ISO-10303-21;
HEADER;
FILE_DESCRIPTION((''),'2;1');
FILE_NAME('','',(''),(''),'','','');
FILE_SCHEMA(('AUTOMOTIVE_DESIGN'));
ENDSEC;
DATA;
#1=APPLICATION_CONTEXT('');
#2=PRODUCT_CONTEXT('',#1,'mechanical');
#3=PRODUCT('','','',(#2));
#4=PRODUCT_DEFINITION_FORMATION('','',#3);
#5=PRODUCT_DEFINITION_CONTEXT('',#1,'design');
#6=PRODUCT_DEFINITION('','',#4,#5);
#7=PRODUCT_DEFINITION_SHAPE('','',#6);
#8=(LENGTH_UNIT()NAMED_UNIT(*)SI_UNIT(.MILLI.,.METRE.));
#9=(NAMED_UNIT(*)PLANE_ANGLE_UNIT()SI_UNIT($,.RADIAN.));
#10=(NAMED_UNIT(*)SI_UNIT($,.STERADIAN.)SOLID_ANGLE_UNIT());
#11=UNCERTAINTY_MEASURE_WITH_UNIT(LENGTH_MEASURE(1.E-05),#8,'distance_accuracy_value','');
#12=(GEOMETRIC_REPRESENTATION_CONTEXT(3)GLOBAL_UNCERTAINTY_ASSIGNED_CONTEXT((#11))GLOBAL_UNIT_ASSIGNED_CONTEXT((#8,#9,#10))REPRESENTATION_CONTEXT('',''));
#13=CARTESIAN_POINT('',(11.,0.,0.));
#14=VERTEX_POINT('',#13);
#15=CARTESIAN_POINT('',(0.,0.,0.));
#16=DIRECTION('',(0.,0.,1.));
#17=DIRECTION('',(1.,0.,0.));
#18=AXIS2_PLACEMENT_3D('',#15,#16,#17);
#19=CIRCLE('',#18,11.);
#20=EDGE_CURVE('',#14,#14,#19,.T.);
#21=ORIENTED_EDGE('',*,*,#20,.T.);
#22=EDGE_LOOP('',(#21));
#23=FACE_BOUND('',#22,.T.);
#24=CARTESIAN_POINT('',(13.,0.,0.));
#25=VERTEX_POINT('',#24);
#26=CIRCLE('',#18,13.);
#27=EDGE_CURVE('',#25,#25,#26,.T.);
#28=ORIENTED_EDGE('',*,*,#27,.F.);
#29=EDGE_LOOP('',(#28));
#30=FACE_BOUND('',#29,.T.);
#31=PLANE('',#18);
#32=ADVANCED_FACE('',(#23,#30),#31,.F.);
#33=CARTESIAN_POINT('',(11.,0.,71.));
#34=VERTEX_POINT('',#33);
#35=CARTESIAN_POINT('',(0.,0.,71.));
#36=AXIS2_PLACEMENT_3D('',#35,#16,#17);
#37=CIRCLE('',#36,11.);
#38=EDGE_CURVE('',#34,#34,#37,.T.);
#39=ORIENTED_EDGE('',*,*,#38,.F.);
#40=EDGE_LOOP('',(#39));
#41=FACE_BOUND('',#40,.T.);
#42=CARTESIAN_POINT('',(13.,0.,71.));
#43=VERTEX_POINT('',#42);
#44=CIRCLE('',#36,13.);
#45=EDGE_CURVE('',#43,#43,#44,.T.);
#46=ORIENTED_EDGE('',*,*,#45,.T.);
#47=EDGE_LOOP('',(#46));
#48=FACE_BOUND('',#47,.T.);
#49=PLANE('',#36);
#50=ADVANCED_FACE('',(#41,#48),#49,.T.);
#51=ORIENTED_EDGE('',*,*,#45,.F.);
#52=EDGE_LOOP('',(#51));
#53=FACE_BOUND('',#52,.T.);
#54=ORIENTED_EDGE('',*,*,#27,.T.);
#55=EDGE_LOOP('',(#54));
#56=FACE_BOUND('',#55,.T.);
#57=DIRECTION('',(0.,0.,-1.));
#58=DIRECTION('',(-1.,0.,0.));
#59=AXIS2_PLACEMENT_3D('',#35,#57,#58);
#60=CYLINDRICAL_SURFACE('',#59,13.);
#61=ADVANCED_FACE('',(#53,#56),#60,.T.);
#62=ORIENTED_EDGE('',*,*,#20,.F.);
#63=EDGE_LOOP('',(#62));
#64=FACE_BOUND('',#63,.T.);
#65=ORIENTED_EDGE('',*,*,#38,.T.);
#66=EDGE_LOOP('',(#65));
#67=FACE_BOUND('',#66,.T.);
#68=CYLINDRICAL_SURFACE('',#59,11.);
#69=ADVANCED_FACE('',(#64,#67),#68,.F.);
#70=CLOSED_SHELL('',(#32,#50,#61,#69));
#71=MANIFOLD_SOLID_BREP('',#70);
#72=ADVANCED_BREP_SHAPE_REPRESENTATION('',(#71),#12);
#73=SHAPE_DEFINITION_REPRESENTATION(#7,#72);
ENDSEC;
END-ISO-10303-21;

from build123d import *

# Parameters (mm, degrees)
BASE_SKETCH_R       = 13
BASE_SKETCH_R_2     = 11
BOSS_EXTRUDE1_DEPTH = 71


with BuildPart() as part:
    # base_sketch → Boss-Extrude1 (new body)
    with BuildSketch(Plane.XY):
        Circle(BASE_SKETCH_R)
        Circle(BASE_SKETCH_R_2, mode=Mode.SUBTRACT)
    extrude(amount=BOSS_EXTRUDE1_DEPTH)


solid = part.part
